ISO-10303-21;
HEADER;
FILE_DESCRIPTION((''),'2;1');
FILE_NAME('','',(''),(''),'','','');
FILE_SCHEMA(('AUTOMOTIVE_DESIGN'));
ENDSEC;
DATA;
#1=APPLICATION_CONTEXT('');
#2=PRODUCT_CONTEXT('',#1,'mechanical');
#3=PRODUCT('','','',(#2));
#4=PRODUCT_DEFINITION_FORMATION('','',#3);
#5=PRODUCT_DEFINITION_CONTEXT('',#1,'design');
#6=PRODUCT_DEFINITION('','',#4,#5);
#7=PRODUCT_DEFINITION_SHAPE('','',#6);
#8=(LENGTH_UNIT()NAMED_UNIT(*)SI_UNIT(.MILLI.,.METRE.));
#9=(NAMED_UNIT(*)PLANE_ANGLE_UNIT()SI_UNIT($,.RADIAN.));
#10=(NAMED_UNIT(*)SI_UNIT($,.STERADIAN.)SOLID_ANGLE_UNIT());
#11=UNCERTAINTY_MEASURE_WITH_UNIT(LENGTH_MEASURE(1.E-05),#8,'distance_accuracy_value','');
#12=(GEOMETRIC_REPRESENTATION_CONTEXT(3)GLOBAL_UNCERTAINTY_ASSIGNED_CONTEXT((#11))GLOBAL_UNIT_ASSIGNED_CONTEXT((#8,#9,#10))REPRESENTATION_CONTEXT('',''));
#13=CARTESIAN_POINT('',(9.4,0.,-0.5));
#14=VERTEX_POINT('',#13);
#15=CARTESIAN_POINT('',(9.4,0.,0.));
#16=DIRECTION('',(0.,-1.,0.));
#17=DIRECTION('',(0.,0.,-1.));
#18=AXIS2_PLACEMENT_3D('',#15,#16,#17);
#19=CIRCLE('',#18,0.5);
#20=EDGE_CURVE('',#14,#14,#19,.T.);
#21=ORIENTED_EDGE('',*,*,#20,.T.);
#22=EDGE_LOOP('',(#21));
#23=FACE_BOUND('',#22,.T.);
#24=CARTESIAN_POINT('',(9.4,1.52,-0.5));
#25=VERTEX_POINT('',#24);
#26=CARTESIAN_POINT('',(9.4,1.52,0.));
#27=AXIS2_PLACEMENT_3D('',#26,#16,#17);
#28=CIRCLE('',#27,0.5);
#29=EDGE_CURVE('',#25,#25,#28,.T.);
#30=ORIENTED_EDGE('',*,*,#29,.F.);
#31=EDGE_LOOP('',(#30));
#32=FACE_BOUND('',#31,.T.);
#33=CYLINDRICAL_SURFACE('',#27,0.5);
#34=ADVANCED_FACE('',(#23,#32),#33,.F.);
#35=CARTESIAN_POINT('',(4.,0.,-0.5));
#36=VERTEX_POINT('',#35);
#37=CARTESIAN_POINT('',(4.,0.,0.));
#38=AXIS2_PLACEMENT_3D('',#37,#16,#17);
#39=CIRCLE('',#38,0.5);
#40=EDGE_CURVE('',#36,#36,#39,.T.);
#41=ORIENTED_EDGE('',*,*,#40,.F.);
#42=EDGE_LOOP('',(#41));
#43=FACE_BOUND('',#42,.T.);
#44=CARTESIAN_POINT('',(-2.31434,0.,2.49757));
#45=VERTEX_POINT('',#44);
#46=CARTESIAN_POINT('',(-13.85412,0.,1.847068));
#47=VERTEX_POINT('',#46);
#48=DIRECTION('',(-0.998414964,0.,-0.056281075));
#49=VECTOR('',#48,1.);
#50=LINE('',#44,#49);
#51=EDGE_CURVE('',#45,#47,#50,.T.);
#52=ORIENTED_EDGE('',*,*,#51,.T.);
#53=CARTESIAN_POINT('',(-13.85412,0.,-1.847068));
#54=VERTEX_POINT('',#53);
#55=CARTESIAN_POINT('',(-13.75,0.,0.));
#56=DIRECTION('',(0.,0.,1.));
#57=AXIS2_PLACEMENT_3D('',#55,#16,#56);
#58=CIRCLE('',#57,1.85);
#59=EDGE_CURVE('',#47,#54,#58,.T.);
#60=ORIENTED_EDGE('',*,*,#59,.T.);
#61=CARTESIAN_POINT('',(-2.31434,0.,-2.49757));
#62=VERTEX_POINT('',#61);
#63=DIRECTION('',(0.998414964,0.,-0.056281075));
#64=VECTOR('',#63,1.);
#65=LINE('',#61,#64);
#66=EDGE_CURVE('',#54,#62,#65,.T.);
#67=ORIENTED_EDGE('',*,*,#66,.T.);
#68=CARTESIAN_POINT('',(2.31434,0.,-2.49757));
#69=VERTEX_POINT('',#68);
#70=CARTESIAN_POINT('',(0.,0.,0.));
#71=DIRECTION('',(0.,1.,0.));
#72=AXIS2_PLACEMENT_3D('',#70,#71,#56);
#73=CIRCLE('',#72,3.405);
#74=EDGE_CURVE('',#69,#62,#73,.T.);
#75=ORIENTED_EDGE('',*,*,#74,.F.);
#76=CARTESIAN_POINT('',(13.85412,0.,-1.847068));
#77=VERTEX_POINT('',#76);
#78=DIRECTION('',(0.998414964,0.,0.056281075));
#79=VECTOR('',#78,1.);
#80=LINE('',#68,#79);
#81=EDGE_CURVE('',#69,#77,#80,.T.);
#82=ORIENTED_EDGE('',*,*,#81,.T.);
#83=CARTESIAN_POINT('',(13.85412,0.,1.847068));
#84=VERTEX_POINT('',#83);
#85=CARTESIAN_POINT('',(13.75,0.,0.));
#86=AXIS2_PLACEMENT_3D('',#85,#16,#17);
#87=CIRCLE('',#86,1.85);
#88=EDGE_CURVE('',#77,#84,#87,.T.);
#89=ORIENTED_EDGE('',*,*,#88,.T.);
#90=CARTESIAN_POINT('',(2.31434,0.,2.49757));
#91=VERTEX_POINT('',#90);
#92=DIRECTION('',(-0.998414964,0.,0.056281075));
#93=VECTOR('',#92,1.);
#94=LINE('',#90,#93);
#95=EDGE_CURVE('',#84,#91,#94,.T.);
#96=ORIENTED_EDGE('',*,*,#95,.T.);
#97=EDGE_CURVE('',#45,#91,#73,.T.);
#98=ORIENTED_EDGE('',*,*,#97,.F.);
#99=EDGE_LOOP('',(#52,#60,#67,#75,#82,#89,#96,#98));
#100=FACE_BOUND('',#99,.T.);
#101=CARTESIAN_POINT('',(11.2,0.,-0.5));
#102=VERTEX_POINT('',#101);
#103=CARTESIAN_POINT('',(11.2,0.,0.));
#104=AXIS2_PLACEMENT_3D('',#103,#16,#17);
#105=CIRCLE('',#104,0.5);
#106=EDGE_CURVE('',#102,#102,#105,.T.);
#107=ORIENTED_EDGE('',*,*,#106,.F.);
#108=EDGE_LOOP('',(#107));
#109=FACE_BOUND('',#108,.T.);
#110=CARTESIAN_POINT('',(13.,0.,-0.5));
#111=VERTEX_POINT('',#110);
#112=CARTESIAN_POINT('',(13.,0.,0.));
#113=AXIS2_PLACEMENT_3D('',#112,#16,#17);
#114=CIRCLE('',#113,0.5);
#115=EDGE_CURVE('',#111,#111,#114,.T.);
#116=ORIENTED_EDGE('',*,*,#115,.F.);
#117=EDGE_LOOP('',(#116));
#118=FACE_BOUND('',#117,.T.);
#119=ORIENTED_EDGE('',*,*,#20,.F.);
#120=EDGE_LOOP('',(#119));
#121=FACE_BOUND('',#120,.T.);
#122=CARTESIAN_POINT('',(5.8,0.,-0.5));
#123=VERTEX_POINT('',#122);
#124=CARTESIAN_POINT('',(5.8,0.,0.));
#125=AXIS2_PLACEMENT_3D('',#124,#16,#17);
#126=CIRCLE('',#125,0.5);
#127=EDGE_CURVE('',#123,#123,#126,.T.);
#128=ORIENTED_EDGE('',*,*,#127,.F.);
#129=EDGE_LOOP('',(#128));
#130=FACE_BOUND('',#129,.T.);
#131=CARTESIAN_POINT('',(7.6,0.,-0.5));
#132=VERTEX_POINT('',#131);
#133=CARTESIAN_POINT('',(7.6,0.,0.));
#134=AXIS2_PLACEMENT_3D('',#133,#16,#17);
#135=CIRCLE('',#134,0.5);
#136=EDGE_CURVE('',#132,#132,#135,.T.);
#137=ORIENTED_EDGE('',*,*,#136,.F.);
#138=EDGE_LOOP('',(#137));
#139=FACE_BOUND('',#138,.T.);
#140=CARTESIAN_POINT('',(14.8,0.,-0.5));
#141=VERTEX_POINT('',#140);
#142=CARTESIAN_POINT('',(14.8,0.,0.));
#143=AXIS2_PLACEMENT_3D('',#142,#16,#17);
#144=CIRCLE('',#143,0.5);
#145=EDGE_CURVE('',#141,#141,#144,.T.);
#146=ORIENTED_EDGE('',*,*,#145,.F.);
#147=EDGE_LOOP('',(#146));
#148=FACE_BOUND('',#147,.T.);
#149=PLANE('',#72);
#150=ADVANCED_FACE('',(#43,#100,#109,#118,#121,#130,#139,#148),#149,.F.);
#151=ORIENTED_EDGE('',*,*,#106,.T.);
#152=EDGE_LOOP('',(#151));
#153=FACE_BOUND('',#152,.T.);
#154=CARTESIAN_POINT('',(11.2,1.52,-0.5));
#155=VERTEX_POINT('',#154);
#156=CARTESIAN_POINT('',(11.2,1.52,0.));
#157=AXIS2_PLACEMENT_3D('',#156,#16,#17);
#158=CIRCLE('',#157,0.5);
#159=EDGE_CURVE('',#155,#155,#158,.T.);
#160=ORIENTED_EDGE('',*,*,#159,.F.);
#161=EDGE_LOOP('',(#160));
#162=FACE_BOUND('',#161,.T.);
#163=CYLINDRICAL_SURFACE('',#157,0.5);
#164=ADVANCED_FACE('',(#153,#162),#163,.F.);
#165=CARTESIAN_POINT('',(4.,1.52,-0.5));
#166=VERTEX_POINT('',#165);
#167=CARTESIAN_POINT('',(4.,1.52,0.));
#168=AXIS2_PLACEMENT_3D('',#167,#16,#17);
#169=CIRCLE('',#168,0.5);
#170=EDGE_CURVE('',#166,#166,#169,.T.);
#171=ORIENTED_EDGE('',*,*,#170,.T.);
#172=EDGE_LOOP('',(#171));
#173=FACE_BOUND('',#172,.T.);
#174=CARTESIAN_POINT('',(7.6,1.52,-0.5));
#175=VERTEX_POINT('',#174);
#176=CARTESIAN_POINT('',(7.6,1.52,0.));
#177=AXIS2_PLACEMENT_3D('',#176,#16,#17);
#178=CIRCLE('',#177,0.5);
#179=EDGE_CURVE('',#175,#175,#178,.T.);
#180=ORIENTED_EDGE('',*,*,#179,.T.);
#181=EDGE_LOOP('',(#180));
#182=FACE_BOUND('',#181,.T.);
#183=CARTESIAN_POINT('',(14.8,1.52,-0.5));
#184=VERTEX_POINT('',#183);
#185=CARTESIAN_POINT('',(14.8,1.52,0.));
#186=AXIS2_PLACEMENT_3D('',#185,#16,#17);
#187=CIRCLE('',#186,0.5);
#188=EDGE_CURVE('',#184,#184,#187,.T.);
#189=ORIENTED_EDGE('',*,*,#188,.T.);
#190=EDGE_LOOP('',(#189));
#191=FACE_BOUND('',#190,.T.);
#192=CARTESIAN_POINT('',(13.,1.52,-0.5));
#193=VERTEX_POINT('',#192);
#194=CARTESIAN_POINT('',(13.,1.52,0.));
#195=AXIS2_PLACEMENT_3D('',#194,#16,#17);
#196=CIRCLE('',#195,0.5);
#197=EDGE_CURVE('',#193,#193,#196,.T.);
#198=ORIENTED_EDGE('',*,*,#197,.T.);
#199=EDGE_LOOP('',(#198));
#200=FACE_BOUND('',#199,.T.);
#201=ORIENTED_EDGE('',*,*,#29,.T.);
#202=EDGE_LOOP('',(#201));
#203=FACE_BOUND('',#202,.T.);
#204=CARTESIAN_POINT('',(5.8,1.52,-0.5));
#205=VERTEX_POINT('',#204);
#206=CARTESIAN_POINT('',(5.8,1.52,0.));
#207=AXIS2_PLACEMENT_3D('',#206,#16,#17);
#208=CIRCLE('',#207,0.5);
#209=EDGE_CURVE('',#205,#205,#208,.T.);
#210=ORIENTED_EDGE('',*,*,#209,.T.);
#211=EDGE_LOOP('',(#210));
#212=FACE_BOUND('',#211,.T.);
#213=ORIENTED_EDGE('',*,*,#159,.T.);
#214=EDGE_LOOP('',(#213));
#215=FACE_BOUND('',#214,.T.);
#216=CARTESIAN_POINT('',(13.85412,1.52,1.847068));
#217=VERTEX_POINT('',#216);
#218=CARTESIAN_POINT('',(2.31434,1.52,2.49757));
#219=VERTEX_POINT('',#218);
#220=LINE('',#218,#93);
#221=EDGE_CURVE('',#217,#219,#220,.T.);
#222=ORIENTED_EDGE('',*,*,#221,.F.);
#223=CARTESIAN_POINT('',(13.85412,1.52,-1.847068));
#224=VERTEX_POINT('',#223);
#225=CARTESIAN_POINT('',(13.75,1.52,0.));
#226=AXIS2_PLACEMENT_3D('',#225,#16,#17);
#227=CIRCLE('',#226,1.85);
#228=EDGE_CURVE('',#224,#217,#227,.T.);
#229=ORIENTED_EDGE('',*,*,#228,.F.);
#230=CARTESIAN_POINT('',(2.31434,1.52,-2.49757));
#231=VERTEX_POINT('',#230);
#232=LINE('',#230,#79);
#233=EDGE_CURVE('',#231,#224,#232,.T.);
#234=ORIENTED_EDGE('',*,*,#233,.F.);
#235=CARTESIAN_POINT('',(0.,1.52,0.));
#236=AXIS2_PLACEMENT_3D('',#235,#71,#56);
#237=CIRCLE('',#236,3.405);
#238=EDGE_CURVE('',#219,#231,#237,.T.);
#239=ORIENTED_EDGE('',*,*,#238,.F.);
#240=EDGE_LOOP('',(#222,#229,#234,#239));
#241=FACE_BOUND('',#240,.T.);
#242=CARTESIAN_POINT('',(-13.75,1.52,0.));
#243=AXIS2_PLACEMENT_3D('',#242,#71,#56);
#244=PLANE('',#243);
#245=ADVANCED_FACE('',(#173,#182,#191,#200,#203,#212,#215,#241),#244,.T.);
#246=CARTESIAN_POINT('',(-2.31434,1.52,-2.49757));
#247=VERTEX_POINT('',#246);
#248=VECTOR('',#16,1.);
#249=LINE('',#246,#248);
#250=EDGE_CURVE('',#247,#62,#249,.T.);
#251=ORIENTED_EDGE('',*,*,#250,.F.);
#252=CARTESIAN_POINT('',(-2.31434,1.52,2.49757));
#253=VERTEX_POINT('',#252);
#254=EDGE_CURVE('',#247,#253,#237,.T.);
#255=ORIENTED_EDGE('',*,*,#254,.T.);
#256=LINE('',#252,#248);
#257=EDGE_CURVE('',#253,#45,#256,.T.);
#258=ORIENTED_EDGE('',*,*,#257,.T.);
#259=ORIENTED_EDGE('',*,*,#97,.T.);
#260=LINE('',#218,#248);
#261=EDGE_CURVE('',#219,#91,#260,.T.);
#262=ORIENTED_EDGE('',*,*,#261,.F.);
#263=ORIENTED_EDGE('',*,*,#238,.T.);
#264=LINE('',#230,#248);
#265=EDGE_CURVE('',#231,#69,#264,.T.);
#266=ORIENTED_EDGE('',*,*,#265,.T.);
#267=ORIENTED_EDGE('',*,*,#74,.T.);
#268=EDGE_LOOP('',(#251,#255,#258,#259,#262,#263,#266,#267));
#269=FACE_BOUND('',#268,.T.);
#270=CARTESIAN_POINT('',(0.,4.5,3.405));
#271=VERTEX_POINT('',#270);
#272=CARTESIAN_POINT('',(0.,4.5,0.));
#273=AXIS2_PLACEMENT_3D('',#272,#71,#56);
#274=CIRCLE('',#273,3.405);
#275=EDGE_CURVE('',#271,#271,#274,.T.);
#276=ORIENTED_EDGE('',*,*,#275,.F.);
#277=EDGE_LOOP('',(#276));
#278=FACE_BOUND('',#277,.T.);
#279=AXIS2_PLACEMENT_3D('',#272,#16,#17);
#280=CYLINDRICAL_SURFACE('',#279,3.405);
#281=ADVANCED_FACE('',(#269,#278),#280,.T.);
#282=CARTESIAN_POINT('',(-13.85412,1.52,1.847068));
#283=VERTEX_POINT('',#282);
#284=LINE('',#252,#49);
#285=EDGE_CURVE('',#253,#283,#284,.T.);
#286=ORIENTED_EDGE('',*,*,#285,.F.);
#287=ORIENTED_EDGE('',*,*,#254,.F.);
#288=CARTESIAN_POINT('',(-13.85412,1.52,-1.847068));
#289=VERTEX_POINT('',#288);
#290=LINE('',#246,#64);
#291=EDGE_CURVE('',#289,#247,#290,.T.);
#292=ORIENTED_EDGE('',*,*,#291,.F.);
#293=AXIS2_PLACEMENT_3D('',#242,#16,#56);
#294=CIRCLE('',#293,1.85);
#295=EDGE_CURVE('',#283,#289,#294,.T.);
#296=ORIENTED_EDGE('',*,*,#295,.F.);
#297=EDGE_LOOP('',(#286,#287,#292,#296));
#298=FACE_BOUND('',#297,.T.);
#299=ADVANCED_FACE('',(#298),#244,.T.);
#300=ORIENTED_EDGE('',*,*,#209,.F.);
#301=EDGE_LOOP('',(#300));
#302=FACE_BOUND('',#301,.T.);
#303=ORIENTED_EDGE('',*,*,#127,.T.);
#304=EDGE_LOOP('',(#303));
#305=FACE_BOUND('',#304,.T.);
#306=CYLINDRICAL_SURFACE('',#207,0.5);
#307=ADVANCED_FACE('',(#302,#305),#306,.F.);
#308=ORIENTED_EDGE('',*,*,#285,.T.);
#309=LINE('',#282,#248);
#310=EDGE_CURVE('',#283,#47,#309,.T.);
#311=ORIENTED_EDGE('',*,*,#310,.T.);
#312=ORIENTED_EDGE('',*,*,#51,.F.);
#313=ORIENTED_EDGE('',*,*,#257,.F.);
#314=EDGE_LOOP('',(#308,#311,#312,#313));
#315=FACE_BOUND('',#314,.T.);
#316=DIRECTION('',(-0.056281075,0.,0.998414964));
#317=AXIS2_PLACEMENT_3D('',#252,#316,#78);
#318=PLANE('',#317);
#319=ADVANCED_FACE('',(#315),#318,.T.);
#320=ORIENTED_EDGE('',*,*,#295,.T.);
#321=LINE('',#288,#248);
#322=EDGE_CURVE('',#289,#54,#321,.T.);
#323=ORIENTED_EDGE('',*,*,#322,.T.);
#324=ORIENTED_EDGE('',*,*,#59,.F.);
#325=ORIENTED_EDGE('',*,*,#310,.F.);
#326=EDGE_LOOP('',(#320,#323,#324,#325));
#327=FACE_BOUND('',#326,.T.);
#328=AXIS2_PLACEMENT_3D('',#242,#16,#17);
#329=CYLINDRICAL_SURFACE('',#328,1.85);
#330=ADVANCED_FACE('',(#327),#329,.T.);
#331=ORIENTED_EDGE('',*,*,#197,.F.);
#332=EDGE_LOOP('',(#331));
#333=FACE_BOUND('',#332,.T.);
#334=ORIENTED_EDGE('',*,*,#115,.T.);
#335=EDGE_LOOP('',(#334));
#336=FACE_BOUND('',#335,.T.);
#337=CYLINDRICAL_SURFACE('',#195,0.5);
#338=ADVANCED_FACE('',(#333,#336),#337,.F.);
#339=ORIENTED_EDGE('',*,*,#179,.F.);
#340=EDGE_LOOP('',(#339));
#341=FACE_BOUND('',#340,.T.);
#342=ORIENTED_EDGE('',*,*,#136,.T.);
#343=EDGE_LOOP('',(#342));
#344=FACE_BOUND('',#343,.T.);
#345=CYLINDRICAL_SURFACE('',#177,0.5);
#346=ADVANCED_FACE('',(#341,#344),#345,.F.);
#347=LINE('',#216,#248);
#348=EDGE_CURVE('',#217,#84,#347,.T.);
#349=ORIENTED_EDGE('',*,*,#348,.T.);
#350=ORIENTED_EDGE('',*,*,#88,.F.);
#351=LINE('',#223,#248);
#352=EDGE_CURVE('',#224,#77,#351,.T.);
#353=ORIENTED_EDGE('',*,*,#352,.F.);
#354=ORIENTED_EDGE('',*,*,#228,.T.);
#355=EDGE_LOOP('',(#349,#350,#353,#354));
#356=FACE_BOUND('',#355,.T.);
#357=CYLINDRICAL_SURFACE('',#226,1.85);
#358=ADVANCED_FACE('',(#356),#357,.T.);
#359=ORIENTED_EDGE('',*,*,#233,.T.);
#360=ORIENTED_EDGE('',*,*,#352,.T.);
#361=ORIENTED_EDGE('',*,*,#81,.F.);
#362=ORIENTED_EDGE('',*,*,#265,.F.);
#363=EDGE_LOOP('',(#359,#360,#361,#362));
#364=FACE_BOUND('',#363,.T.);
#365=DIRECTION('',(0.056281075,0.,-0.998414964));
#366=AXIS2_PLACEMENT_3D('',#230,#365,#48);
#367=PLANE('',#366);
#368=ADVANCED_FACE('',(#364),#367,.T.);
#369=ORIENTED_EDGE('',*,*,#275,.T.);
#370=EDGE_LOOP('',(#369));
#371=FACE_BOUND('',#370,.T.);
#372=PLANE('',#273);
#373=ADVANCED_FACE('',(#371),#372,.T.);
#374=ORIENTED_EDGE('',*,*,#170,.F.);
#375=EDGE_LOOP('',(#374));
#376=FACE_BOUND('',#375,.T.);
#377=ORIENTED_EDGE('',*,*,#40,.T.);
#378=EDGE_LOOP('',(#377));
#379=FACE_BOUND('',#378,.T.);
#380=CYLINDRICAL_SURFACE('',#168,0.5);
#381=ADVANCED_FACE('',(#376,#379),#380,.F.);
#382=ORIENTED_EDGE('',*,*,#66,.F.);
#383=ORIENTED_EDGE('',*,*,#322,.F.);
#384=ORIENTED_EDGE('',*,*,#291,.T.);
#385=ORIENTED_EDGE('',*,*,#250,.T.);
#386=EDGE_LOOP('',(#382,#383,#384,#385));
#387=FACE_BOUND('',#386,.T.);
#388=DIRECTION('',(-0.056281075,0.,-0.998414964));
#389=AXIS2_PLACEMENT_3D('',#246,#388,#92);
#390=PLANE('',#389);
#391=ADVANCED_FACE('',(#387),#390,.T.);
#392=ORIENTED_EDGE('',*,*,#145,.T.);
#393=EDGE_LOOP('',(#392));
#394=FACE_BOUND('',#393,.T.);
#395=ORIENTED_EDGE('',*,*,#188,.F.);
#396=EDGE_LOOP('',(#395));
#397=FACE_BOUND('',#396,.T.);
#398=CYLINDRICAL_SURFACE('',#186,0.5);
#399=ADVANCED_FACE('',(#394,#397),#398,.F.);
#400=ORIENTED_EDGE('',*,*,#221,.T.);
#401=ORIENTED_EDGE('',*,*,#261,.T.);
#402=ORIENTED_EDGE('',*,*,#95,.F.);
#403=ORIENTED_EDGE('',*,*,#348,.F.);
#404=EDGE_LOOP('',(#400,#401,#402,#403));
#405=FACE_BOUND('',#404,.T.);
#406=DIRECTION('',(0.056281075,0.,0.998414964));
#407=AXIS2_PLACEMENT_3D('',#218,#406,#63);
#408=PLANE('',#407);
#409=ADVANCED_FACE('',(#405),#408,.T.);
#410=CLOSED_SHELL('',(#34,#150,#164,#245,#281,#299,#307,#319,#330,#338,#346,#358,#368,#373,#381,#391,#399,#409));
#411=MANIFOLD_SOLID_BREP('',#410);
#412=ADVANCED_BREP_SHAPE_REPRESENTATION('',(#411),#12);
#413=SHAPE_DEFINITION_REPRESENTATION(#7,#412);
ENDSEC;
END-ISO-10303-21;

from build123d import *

# Parameters (mm, degrees)
SKETCH_1_R          = 3.405
EXTRUDE_1_DEPTH     = 4.5
EXTRUDE_2_DEPTH     = 1.52
SKETCH_3_R          = 0.5
CUT_EXTRUDE_1_DEPTH = 1.52


with BuildPart() as part:
    # 草图1 → 凸台-拉伸1 (new body)
    with BuildSketch(Plane(origin=(0, 0, 0), x_dir=(1, 0, 0), z_dir=(0, 1, 0))):
        Circle(SKETCH_1_R)
    extrude(amount=EXTRUDE_1_DEPTH)

    # 草图2 → 凸台-拉伸2 (add)
    with BuildSketch(Plane.XZ):
        with BuildLine():
            Line((2.314339904, 2.497569981), (13.854119989, 1.847067684))
            ThreePointArc((13.854119989, 1.847067684), (15.6, 0), (13.854119989, -1.847067684))
            Line((13.854119989, -1.847067684), (2.314339904, -2.497569981))
            ThreePointArc((2.314339904, -2.497569981), (0, -3.405), (-2.314339904, -2.497569981))
            Line((-2.314339904, -2.497569981), (-13.854119989, -1.847067684))
            ThreePointArc((-13.854119989, -1.847067684), (-15.6, 0), (-13.854119989, 1.847067684))
            Line((-13.854119989, 1.847067684), (-2.314339904, 2.497569981))
            ThreePointArc((-2.314339904, 2.497569981), (0, 3.405), (2.314339904, 2.497569981))
        make_face()
    extrude(amount=-EXTRUDE_2_DEPTH)

    # 草图3 → 切除-拉伸1 (cut)
    with BuildSketch(Plane.XZ):
        with Locations((4, 0)):
            Circle(SKETCH_3_R)
        with Locations((5.8, 0)):
            Circle(SKETCH_3_R)
        with Locations((7.6, 0)):
            Circle(SKETCH_3_R)
        with Locations((9.4, 0)):
            Circle(SKETCH_3_R)
        with Locations((11.2, 0)):
            Circle(SKETCH_3_R)
        with Locations((13, 0)):
            Circle(SKETCH_3_R)
        with Locations((14.8, 0)):
            Circle(SKETCH_3_R)
    extrude(amount=-CUT_EXTRUDE_1_DEPTH, mode=Mode.SUBTRACT)


solid = part.part
